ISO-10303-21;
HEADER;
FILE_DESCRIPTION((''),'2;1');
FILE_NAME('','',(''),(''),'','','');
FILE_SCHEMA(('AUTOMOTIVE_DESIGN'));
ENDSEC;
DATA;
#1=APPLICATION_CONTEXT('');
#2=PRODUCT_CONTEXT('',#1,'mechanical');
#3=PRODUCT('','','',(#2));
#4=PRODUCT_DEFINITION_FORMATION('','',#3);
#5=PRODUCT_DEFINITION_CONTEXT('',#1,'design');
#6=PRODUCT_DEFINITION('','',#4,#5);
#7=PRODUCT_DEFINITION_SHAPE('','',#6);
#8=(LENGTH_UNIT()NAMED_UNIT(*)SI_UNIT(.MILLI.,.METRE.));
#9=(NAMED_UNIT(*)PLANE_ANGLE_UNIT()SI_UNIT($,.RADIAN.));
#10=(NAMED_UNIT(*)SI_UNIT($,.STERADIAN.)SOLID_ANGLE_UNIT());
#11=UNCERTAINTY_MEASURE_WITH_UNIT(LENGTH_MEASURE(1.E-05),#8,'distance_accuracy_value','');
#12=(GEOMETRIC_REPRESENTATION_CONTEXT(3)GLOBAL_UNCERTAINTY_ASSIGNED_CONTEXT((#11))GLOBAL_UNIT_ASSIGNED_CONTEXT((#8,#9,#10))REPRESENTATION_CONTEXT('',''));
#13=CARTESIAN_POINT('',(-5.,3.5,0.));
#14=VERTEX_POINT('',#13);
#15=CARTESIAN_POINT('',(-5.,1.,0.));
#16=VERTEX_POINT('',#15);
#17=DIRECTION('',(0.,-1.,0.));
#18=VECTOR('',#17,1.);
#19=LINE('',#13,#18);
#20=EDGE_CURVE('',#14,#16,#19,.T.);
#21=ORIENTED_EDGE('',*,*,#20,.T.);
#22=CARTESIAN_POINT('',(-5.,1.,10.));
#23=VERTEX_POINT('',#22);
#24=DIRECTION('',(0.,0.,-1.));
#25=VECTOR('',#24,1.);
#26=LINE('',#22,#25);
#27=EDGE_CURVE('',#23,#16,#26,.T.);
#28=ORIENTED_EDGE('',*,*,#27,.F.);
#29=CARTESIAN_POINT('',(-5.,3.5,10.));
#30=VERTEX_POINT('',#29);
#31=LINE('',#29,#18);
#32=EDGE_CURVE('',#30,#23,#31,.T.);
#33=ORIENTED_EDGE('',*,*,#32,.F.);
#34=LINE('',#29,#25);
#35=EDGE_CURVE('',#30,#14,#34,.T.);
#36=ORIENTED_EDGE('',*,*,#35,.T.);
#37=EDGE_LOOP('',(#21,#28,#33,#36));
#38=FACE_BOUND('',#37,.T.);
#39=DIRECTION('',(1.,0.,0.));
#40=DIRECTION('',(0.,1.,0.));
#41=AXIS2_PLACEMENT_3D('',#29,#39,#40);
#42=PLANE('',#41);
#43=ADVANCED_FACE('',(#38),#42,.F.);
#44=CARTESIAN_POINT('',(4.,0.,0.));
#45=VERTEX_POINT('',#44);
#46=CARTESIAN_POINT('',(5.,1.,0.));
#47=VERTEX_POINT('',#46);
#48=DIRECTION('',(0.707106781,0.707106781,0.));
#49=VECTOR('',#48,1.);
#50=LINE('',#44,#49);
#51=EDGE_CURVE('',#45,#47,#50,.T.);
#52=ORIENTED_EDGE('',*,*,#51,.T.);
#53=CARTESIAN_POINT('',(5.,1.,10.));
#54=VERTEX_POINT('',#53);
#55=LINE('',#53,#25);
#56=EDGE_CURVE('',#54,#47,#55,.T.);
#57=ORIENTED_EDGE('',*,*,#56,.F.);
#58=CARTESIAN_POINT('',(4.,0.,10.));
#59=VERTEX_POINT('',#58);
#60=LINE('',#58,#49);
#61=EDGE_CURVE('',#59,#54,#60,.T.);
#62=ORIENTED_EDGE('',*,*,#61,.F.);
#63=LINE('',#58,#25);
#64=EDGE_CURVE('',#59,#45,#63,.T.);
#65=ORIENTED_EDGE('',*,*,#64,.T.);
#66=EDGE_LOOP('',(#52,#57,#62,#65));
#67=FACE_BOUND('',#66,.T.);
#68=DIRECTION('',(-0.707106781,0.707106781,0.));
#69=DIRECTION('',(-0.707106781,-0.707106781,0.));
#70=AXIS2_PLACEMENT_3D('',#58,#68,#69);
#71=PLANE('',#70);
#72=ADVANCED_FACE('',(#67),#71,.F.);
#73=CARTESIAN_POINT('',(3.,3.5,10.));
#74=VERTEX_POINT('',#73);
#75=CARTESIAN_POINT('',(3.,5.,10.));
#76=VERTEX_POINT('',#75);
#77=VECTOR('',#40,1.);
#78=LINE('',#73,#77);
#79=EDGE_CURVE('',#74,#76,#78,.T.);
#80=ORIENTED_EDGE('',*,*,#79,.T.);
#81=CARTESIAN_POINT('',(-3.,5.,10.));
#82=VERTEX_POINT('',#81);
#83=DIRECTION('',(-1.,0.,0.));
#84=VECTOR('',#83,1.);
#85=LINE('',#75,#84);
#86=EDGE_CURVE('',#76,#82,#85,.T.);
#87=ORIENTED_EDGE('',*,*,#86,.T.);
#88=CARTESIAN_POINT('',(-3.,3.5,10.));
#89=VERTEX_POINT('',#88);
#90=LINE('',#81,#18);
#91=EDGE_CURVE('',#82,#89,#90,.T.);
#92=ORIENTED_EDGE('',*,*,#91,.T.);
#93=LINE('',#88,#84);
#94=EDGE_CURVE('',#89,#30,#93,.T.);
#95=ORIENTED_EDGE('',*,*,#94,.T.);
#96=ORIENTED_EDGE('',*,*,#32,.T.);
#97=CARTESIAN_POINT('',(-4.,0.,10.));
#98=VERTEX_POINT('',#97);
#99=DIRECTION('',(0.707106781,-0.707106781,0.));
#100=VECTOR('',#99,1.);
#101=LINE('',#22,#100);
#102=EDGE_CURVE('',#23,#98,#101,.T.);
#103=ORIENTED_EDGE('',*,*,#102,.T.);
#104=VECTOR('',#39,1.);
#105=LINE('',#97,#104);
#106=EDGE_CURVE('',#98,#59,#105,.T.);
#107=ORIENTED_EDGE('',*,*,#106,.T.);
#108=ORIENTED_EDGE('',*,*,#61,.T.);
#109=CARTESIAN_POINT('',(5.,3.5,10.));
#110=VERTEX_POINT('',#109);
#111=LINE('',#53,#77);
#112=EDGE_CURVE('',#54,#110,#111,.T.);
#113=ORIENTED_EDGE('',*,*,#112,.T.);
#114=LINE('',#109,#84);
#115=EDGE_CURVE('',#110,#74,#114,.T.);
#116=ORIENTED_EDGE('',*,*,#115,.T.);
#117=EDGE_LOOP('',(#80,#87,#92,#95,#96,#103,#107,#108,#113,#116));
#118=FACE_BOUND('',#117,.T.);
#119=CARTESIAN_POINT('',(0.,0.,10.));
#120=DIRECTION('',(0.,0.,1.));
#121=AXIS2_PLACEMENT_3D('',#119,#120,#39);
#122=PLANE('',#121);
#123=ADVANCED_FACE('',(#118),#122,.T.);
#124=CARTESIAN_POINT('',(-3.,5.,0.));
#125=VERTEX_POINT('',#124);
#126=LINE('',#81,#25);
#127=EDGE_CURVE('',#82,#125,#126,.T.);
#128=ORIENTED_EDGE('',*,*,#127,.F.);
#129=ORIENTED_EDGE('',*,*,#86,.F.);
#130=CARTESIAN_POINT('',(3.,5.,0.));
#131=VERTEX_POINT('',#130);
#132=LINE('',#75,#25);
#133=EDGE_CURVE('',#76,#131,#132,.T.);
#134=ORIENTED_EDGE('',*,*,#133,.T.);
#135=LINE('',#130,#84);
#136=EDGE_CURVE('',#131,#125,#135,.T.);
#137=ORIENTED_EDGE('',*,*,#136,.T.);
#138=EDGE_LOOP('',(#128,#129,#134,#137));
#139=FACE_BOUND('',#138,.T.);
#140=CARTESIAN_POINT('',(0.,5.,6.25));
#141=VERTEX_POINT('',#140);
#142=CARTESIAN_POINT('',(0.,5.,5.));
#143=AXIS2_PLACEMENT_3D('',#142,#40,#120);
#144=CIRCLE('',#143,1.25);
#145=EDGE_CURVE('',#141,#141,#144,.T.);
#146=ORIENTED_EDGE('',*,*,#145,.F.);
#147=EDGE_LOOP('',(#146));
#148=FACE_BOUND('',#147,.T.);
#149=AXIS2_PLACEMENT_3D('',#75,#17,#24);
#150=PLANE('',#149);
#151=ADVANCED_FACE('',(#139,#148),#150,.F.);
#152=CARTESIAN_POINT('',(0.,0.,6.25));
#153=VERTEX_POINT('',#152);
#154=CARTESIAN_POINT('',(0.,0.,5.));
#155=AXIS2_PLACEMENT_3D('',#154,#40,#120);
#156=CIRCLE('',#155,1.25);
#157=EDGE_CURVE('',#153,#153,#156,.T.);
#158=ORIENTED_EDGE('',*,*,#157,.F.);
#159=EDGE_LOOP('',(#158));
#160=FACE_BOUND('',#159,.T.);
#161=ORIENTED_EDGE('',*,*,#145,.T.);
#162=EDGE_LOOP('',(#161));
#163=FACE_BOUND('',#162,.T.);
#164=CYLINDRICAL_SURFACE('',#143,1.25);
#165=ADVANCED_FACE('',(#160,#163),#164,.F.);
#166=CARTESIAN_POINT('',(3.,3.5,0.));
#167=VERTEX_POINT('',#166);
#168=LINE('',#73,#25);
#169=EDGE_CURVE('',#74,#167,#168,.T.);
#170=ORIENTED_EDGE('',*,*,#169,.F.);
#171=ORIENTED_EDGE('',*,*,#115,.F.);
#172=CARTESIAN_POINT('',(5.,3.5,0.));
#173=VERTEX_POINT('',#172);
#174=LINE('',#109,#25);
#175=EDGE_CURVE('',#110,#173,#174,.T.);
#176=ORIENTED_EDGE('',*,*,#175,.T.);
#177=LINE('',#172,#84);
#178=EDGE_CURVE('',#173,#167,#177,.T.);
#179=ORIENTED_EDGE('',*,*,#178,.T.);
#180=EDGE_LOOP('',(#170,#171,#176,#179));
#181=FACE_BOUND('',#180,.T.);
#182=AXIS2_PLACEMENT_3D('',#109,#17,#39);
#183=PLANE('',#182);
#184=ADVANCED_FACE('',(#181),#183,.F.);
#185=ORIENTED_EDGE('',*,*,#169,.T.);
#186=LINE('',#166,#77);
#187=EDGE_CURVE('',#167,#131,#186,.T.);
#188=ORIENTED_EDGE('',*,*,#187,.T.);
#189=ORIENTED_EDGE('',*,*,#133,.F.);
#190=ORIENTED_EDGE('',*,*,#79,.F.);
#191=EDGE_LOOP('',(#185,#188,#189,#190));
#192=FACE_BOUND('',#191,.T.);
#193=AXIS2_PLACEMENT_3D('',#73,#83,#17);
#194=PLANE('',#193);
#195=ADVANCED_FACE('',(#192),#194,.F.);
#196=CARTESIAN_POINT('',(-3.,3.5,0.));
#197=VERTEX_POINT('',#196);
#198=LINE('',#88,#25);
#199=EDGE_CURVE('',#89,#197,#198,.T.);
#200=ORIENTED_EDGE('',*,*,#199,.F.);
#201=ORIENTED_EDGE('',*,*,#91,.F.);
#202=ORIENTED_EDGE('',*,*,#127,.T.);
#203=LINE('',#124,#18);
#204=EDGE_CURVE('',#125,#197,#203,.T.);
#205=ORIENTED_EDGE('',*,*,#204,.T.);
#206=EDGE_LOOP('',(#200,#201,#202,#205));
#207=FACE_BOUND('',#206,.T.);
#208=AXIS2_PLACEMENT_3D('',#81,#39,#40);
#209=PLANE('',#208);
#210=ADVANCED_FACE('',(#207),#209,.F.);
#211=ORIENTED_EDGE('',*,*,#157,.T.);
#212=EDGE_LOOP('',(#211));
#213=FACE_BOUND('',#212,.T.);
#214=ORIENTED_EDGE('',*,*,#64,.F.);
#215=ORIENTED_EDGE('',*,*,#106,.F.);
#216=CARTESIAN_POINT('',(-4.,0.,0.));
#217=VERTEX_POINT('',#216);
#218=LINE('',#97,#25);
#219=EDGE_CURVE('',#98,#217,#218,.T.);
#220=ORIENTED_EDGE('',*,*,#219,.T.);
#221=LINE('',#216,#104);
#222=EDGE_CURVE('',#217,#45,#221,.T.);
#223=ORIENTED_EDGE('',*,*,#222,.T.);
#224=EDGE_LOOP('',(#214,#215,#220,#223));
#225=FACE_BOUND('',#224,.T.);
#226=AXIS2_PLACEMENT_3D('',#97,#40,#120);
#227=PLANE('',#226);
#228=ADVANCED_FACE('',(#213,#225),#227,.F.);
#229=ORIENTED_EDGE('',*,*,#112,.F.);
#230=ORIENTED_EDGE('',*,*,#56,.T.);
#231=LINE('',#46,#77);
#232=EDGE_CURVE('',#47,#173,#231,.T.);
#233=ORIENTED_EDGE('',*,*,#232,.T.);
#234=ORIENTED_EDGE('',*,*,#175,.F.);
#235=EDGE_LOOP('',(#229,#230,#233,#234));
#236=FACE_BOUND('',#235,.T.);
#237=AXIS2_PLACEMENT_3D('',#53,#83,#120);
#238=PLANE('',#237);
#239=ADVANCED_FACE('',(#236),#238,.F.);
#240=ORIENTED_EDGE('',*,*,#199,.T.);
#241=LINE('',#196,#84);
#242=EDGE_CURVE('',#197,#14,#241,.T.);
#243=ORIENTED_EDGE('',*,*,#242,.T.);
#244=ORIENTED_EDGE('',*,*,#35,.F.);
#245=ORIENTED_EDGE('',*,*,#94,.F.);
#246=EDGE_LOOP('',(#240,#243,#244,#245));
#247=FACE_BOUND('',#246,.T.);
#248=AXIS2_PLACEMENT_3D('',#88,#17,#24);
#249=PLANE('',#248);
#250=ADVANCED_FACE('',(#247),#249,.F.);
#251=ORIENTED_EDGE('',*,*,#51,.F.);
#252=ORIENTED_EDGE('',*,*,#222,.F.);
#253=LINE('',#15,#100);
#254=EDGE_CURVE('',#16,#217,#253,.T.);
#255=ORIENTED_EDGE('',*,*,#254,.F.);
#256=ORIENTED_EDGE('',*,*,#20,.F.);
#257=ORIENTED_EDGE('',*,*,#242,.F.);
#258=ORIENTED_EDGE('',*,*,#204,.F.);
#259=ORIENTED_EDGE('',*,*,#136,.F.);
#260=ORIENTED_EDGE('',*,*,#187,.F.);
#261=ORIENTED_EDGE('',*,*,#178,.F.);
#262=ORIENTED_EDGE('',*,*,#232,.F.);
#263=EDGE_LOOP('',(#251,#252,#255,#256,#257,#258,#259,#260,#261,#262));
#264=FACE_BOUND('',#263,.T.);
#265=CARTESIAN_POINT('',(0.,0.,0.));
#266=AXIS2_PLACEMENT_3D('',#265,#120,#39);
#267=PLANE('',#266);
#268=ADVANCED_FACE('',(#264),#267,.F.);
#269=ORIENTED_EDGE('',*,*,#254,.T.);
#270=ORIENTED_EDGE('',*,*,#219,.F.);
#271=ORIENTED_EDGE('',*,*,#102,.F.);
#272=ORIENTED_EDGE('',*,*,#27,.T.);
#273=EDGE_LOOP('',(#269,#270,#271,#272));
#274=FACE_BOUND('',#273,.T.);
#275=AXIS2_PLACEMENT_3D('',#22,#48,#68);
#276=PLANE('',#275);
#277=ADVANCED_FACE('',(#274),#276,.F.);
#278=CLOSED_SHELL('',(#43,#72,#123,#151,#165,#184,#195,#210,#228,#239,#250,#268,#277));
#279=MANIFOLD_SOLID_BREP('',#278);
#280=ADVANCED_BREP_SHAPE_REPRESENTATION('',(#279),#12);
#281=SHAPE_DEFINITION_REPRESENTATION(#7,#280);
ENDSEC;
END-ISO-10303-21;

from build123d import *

# Parameters (mm, degrees)
BOSS_EXTRUDE1_DEPTH   = 10
M3X0_5_TAPPED_HOLE1_D = 2.5


with BuildPart() as part:
    # Sketch1 → Boss-Extrude1 (new body)
    with BuildSketch(Plane.XY):
        Polygon((-4, 0), (4, 0), (5, 1), (5, 3.5), (3, 3.5), (3, 5), (-3, 5), (-3, 3.5), (-5, 3.5), (-5, 1), align=None)
    extrude(amount=BOSS_EXTRUDE1_DEPTH)

    # M3x0.5 Tapped Hole1 (through all)
    with Locations(Plane(origin=(0, 5, 0), x_dir=(1, 0, 0), z_dir=(0, 1, 0))):
        with Locations((0, -5)):
            Hole(M3X0_5_TAPPED_HOLE1_D / 2)


solid = part.part
